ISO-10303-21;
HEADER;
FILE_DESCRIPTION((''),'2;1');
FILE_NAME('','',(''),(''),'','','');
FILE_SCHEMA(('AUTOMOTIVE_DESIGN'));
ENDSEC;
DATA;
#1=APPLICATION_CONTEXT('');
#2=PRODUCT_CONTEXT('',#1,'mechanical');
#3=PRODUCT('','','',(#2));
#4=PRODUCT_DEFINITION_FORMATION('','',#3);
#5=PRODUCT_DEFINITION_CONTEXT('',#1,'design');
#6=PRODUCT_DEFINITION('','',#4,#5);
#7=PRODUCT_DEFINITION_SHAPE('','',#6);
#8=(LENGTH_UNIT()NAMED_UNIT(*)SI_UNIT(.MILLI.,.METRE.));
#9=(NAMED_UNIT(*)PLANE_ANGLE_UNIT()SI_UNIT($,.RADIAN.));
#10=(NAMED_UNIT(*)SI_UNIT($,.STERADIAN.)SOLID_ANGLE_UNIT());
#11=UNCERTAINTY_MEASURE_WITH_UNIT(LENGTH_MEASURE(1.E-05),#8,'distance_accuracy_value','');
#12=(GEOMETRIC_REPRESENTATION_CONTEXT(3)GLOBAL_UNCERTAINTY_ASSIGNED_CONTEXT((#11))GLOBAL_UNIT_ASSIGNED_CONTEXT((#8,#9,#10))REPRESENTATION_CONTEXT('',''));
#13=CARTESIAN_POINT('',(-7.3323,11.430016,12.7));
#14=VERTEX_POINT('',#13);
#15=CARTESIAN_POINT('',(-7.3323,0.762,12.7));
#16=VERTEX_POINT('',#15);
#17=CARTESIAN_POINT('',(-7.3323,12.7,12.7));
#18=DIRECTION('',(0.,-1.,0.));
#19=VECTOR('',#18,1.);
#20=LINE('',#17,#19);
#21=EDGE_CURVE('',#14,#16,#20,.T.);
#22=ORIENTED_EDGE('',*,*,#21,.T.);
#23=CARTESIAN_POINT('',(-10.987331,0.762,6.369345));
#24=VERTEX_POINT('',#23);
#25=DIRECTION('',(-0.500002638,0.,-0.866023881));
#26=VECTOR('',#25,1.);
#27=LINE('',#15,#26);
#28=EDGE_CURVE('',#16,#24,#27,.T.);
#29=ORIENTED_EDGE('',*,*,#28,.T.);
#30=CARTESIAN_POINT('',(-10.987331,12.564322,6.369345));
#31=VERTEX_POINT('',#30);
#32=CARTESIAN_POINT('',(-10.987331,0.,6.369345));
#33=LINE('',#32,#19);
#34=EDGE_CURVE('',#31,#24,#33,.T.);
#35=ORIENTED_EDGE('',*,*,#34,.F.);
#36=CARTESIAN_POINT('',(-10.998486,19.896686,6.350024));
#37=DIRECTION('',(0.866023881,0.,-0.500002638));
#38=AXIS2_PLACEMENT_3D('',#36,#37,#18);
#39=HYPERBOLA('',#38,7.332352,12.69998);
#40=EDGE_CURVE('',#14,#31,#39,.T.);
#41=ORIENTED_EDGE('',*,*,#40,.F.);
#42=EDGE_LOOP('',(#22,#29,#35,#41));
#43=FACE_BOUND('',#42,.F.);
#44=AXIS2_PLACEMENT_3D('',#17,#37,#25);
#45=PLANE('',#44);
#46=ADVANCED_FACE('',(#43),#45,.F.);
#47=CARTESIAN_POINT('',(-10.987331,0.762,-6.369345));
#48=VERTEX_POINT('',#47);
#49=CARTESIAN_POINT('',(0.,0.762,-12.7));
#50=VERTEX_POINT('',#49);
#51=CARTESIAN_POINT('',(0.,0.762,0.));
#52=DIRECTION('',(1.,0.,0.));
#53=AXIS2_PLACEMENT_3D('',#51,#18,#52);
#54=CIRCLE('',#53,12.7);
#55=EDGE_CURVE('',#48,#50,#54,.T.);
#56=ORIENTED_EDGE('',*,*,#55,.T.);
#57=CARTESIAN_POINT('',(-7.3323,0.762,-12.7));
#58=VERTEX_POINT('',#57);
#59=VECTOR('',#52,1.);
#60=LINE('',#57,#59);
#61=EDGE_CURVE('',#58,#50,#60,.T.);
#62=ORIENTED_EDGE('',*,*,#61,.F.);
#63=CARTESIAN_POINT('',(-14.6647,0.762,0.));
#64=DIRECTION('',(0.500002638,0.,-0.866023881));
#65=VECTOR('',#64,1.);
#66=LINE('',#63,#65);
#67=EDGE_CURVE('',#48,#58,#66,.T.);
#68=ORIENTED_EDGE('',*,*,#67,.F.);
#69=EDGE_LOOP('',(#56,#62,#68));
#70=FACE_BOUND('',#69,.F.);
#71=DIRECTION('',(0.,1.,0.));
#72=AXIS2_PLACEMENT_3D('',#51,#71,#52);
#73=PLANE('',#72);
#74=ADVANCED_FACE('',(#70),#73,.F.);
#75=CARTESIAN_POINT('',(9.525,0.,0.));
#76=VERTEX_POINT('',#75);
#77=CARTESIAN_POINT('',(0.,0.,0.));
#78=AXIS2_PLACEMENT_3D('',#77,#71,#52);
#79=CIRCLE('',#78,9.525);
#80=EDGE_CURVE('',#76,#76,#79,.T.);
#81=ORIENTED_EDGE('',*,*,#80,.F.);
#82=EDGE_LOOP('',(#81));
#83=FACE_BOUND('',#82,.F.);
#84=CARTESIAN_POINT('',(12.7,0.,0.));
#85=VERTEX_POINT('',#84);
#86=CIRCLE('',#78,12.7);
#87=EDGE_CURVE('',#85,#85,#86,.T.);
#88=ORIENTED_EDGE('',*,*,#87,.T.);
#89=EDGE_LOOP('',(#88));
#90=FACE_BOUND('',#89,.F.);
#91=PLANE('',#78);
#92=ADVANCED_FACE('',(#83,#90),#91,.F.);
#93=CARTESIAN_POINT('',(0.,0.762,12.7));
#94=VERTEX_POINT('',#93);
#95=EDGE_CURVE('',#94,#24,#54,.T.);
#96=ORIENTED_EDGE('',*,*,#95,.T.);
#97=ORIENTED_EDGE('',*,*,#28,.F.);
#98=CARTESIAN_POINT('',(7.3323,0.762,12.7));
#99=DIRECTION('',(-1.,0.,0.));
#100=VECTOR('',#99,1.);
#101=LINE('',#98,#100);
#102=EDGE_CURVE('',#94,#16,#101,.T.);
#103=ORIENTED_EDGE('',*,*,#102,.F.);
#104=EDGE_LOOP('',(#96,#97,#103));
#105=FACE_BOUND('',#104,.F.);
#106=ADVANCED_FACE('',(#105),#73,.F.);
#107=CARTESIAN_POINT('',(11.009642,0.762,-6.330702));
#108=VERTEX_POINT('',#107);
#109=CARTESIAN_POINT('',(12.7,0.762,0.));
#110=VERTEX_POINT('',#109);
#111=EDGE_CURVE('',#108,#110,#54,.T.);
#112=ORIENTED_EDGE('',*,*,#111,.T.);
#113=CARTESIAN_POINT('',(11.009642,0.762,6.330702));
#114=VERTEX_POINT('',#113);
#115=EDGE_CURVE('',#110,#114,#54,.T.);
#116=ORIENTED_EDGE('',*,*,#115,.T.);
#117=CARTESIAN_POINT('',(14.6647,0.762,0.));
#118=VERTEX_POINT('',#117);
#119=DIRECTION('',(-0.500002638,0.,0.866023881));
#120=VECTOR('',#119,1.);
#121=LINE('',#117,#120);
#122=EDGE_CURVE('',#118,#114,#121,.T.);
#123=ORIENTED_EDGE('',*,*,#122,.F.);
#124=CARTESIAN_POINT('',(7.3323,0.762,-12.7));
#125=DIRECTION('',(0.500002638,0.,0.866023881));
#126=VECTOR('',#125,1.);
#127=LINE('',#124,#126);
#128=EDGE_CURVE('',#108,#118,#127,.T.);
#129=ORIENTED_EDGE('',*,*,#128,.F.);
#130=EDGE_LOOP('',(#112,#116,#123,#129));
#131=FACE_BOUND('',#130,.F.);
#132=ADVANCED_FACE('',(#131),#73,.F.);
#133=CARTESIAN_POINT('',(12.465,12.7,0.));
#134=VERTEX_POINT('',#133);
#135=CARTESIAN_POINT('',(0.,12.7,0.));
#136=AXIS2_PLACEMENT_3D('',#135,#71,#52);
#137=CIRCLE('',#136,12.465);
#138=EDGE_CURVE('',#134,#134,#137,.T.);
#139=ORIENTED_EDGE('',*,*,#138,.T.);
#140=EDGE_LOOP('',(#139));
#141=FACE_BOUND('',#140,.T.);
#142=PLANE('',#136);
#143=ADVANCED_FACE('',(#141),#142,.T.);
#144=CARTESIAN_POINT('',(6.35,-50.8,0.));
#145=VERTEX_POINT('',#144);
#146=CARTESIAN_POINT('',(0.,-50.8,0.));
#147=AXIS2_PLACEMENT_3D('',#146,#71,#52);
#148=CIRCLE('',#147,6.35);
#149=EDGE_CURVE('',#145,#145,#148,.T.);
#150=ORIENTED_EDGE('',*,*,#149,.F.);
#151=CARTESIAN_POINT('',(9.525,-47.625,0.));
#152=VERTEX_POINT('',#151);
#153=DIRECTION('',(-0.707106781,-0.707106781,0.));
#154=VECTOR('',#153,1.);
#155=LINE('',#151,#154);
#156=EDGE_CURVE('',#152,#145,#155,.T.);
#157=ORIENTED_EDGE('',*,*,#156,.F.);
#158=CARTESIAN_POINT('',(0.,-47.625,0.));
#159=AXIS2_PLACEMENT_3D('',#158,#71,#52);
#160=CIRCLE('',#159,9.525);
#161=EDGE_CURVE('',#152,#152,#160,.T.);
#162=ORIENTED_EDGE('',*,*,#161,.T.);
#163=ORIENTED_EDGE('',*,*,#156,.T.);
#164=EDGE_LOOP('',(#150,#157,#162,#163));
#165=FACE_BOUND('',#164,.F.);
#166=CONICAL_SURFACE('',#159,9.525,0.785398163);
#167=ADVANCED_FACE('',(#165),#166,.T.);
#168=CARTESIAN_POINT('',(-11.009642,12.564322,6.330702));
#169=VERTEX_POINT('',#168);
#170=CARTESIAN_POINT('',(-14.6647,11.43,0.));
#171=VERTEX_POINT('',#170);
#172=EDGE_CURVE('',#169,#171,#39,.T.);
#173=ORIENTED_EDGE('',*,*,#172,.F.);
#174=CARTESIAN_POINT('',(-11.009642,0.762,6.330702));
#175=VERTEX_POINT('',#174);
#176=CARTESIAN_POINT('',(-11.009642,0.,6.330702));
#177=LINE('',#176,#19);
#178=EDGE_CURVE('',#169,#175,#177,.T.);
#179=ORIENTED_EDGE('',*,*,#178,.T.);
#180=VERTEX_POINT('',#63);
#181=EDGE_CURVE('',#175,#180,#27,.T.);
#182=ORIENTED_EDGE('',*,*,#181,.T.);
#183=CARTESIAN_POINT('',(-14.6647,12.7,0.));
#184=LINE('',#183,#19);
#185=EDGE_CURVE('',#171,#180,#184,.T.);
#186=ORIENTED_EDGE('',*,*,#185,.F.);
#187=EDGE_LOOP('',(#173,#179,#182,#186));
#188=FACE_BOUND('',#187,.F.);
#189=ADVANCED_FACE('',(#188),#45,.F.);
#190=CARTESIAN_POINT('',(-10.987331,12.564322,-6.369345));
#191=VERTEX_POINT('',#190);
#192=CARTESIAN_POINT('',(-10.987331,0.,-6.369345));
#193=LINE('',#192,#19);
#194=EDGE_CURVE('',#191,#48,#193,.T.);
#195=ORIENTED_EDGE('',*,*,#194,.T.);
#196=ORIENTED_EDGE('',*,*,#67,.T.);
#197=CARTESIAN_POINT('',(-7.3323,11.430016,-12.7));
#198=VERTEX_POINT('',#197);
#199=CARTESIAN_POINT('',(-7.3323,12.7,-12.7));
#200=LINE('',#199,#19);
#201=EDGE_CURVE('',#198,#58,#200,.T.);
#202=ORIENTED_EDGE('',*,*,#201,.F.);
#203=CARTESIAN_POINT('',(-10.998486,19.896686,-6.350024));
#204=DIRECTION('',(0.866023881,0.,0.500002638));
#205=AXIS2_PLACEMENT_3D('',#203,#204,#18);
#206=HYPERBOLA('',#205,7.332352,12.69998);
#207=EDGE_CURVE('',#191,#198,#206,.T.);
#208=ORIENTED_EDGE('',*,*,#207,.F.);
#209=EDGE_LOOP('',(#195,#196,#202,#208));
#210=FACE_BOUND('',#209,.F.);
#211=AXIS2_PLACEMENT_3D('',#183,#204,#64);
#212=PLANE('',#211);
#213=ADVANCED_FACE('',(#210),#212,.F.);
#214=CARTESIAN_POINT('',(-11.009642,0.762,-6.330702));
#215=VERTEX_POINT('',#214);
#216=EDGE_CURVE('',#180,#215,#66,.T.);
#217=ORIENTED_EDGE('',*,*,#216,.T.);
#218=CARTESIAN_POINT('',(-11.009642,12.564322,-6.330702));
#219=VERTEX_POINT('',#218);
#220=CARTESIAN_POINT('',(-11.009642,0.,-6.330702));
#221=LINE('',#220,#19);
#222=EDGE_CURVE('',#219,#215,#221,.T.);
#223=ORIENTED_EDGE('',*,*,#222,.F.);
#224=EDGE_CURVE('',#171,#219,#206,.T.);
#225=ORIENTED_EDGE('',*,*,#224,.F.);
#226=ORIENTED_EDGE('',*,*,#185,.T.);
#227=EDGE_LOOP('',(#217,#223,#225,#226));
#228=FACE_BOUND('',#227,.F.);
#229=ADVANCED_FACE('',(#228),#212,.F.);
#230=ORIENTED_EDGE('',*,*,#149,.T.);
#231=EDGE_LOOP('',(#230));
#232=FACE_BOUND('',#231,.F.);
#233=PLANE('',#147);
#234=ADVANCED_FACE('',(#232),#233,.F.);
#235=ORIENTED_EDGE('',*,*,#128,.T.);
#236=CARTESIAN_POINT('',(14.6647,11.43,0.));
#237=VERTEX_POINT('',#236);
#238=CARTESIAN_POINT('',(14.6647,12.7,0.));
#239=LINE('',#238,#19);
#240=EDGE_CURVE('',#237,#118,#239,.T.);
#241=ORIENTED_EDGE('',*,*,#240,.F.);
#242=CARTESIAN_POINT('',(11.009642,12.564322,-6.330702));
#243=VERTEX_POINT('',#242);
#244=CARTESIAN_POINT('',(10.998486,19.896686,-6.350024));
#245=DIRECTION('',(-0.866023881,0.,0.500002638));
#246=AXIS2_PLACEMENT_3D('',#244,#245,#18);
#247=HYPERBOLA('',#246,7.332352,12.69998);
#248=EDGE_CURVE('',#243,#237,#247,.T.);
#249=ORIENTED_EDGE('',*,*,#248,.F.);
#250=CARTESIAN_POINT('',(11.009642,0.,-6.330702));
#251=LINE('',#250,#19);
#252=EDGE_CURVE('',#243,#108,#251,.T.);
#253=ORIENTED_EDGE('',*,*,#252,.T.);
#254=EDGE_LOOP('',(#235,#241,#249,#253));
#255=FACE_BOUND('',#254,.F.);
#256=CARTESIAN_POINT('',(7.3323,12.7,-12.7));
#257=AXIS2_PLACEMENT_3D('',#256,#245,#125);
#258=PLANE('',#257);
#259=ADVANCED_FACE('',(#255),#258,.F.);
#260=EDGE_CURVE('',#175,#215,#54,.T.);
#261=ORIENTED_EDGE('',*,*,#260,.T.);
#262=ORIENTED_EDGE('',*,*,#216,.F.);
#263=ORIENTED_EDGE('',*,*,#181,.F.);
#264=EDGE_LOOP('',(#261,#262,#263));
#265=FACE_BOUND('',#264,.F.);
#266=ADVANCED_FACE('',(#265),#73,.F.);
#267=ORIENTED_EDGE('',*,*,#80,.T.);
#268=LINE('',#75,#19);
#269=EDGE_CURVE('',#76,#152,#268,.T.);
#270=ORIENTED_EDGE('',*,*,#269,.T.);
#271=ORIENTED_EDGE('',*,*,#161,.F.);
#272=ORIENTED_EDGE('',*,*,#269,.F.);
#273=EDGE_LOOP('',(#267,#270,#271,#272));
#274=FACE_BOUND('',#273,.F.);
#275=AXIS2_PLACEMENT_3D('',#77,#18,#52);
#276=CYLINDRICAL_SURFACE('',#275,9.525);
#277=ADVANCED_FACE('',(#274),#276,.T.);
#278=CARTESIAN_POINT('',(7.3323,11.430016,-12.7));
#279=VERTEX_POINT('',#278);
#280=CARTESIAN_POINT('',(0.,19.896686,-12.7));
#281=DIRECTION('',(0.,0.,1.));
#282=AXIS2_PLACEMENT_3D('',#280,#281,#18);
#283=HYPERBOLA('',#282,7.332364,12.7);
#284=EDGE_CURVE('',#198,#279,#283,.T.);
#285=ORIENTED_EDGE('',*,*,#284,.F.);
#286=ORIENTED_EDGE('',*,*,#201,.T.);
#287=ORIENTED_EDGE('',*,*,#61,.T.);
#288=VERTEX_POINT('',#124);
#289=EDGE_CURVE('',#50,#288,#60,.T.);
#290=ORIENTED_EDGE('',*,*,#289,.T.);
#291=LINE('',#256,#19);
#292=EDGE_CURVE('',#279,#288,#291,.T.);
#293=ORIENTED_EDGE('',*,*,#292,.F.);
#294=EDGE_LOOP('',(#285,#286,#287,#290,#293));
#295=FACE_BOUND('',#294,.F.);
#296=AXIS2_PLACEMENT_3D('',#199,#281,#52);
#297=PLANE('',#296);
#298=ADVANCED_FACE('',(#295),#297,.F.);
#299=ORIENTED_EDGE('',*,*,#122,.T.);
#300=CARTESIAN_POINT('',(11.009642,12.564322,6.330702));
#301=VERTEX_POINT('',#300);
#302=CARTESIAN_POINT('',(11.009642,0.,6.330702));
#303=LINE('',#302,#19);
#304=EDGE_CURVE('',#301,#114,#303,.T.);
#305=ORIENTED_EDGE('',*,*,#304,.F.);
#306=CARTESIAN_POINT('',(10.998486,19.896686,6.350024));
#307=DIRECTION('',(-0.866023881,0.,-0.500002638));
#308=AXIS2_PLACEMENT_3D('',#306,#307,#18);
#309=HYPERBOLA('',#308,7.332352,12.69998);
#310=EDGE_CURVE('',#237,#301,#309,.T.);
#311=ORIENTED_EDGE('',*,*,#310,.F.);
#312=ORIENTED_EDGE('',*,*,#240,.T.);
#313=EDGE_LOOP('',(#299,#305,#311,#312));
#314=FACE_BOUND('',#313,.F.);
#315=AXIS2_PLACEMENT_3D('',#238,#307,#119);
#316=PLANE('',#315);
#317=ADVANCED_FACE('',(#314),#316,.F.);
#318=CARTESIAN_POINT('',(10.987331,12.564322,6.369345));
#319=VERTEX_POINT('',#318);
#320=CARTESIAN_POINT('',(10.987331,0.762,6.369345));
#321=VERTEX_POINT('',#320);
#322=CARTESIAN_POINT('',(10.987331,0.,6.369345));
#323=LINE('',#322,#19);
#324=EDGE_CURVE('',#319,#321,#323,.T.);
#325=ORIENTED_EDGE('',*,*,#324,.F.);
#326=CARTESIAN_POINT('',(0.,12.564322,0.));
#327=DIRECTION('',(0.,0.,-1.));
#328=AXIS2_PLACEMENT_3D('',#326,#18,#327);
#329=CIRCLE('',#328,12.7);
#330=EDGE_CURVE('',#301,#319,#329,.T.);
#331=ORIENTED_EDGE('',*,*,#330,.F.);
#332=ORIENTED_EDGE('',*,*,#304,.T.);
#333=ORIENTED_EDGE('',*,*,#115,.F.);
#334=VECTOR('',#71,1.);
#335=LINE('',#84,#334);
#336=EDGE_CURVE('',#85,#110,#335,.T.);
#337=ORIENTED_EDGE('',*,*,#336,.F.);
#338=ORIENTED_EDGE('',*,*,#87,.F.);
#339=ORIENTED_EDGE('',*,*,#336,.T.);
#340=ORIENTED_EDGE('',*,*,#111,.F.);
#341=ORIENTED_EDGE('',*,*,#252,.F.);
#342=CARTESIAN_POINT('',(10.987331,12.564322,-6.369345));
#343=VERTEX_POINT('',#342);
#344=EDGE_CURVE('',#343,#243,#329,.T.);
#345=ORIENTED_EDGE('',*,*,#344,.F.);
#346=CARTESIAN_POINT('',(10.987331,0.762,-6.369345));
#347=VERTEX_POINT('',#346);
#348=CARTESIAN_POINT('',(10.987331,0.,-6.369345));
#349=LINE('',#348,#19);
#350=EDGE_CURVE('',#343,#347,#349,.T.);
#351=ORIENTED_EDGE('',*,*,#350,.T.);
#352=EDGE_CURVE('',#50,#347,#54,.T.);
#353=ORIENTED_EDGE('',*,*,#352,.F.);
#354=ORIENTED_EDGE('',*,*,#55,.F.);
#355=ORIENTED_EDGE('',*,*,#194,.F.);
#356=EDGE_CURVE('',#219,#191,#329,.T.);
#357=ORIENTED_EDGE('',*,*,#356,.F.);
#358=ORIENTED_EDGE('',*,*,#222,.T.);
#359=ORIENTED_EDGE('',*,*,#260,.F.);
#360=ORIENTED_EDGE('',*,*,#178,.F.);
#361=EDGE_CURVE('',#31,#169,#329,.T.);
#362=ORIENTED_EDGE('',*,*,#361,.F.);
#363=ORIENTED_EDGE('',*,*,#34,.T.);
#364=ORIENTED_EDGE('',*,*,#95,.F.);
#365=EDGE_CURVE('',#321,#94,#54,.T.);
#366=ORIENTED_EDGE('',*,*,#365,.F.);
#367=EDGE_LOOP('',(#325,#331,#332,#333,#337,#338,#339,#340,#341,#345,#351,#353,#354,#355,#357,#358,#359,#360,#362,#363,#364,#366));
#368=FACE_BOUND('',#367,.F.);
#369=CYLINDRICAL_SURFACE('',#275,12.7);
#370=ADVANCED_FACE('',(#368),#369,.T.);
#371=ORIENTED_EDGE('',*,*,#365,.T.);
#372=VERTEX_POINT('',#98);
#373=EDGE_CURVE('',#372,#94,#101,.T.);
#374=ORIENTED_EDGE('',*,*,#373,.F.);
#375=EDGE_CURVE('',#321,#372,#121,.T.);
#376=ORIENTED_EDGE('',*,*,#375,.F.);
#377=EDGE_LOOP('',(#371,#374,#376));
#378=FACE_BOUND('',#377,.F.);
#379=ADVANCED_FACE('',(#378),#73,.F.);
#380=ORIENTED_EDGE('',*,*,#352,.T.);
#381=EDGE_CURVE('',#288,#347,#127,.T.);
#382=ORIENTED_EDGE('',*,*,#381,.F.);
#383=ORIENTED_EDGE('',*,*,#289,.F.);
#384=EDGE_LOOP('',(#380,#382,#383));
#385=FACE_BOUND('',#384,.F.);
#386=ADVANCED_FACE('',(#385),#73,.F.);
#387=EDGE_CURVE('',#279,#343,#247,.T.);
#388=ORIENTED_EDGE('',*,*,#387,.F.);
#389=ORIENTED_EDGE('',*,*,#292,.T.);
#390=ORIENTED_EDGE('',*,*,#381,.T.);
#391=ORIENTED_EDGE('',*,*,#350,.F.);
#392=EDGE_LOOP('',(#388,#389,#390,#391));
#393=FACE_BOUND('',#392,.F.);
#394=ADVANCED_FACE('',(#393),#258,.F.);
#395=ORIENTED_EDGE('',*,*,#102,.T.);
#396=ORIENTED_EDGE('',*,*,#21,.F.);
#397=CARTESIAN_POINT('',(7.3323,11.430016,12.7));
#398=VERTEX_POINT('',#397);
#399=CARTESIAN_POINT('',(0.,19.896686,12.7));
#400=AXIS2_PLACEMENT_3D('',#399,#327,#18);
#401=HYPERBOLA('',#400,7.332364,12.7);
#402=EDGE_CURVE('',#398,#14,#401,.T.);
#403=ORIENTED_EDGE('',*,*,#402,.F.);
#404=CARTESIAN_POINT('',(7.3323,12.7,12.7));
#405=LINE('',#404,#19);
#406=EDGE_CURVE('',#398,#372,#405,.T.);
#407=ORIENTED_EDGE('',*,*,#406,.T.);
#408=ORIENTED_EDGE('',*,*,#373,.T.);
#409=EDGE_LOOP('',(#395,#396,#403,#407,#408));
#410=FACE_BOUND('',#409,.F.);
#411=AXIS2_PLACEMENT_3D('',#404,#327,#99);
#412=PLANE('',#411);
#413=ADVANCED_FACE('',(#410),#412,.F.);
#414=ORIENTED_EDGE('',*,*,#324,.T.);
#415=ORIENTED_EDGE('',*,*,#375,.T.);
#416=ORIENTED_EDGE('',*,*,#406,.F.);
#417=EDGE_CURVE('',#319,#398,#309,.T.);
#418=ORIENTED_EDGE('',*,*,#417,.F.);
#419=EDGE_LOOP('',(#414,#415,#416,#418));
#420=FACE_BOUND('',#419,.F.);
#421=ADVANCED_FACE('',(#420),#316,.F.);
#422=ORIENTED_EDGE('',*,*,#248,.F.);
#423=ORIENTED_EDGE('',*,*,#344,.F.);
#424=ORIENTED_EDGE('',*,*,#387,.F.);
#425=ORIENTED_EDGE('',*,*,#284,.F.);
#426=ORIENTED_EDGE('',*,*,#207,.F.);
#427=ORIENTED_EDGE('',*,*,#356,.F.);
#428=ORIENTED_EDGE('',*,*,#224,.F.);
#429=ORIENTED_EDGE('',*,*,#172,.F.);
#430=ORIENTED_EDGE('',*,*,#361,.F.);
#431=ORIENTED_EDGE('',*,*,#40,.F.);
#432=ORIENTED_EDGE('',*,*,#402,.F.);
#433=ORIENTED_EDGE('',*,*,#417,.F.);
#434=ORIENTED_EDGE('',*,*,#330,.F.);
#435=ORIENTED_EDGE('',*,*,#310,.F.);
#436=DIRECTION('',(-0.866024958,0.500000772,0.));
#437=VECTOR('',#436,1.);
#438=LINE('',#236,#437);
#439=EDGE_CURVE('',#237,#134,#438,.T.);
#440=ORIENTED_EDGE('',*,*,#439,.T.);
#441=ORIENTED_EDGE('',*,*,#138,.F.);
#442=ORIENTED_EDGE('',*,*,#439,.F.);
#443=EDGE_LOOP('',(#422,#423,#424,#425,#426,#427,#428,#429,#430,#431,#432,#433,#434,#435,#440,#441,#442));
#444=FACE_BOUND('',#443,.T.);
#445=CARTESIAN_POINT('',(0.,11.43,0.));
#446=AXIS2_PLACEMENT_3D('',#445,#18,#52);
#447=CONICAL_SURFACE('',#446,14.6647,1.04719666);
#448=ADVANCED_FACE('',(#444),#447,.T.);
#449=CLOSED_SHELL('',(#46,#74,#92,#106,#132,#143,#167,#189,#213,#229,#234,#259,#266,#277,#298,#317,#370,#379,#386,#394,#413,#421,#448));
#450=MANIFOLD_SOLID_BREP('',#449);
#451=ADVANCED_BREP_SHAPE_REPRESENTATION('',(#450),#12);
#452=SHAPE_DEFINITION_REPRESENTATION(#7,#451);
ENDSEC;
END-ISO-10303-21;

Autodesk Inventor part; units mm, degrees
ref_plane "YZ Plane" through (0, 0, 0) normal (1, 0, 0) x (0, 1, 0)
ref_plane "XZ Plane" through (0, 0, 0) normal (0, 1, 0) x (-1, 0, 0)
ref_plane "XY Plane" through (0, 0, 0) normal (0, 0, 1) x (1, 0, 0)
sketch "Sketch1" plane through (0, 0, 0) normal (0, 0, 1) x (1, 0, 0)
  line L0 (0, 0) -> (9.525, 0)
  line L1 (9.525, 0) -> (9.525, -50.8)
  line L2 (9.525, -50.8) -> (0, -50.8)
  line L3 (0, -50.8) -> (0, 0)
  dimension "d0" = 19.05
  dimension "d1" = 50.8
revolve "Revolution1" add sketch "Sketch1" angle 360 about axis through (0, -50.8, 0) along (0, 1, 0)
chamfer "Chamfer1" distance 3.175 angle 45 1 edges at (-9.525, -50.8, 0)
sketch "Sketch2" plane through (0, 0, 0) normal (0, 1, 0) x (1, 0, 0)
  circle A0 centre (0, 0) radius 12.7
  dimension "d6" = 25.4
extrude "Extrusion1" add sketch "Sketch2" along normal blind 12.7
sketch "Sketch3" plane through (0, 12.7, 0) normal (0, 1, 0) x (1, 0, 0)
  line L0 (14.6647, 0) -> (7.3323, -12.7)
  line L1 (7.3323, -12.7) -> (-7.3323, -12.7)
  line L2 (-7.3323, -12.7) -> (-14.6647, 0)
  line L3 (-14.6647, 0) -> (-7.3323, 12.7)
  line L4 (-7.3323, 12.7) -> (7.3323, 12.7)
  line L5 (7.3323, 12.7) -> (14.6647, 0)
  circle A0 centre (0, 0) radius 12.7 construction
  point P0 (0, 0)
  point P1 (0, 0)
extrude "Extrusion2" add sketch "Sketch3" against normal blind 11.938
sketch "Sketch4" plane through (0, 0, 0) normal (0, 0, 1) x (1, 0, 0)
  line L0 (12.465, 12.7) -> (14.6647, 12.7)
  line L1 (14.6647, 12.7) -> (14.6647, 11.43)
  line L2 (14.6647, 11.43) -> (12.465, 12.7)
  line L3 (0, -0.2588) -> (0, 1.5529) projected
  line L4 (7.3323, 0) -> (14.6647, 0) construction
  line L5 (7.3323, 12.7) -> (14.6647, 12.7) construction
  line L6 (7.3323, 12.7) -> (7.3323, 0.762) construction
  line L7 (14.6647, 12.7) -> (14.6647, 0.762) construction
  line L8 (14.6647, 12.7) -> (7.3323, 12.7) projected
  line L9 (10.9985, 0.762) -> (14.6647, 0.762) projected
  line L10 (7.3323, 0.762) -> (10.9985, 0.762) projected
  point P0 (0, 0)
  point P1 (16.2522, 7.9375)
  dimension "d11" = 30
  dimension "d17" = 1.27
revolve "Revolution2" cut sketch "Sketch4" angle 360 about axis through (0, -10, 0) along (0, 1, 0)
thread "Thread2" size "3/4-10 UNC" class "2A" standard "ANSI Unified Screw Threads" length 12.7
equation "\"diameter\" = 1.8542"
equation "\"length\" = 19.05"
properties part number "Hinge Pin" material "Steel, Carbon"
